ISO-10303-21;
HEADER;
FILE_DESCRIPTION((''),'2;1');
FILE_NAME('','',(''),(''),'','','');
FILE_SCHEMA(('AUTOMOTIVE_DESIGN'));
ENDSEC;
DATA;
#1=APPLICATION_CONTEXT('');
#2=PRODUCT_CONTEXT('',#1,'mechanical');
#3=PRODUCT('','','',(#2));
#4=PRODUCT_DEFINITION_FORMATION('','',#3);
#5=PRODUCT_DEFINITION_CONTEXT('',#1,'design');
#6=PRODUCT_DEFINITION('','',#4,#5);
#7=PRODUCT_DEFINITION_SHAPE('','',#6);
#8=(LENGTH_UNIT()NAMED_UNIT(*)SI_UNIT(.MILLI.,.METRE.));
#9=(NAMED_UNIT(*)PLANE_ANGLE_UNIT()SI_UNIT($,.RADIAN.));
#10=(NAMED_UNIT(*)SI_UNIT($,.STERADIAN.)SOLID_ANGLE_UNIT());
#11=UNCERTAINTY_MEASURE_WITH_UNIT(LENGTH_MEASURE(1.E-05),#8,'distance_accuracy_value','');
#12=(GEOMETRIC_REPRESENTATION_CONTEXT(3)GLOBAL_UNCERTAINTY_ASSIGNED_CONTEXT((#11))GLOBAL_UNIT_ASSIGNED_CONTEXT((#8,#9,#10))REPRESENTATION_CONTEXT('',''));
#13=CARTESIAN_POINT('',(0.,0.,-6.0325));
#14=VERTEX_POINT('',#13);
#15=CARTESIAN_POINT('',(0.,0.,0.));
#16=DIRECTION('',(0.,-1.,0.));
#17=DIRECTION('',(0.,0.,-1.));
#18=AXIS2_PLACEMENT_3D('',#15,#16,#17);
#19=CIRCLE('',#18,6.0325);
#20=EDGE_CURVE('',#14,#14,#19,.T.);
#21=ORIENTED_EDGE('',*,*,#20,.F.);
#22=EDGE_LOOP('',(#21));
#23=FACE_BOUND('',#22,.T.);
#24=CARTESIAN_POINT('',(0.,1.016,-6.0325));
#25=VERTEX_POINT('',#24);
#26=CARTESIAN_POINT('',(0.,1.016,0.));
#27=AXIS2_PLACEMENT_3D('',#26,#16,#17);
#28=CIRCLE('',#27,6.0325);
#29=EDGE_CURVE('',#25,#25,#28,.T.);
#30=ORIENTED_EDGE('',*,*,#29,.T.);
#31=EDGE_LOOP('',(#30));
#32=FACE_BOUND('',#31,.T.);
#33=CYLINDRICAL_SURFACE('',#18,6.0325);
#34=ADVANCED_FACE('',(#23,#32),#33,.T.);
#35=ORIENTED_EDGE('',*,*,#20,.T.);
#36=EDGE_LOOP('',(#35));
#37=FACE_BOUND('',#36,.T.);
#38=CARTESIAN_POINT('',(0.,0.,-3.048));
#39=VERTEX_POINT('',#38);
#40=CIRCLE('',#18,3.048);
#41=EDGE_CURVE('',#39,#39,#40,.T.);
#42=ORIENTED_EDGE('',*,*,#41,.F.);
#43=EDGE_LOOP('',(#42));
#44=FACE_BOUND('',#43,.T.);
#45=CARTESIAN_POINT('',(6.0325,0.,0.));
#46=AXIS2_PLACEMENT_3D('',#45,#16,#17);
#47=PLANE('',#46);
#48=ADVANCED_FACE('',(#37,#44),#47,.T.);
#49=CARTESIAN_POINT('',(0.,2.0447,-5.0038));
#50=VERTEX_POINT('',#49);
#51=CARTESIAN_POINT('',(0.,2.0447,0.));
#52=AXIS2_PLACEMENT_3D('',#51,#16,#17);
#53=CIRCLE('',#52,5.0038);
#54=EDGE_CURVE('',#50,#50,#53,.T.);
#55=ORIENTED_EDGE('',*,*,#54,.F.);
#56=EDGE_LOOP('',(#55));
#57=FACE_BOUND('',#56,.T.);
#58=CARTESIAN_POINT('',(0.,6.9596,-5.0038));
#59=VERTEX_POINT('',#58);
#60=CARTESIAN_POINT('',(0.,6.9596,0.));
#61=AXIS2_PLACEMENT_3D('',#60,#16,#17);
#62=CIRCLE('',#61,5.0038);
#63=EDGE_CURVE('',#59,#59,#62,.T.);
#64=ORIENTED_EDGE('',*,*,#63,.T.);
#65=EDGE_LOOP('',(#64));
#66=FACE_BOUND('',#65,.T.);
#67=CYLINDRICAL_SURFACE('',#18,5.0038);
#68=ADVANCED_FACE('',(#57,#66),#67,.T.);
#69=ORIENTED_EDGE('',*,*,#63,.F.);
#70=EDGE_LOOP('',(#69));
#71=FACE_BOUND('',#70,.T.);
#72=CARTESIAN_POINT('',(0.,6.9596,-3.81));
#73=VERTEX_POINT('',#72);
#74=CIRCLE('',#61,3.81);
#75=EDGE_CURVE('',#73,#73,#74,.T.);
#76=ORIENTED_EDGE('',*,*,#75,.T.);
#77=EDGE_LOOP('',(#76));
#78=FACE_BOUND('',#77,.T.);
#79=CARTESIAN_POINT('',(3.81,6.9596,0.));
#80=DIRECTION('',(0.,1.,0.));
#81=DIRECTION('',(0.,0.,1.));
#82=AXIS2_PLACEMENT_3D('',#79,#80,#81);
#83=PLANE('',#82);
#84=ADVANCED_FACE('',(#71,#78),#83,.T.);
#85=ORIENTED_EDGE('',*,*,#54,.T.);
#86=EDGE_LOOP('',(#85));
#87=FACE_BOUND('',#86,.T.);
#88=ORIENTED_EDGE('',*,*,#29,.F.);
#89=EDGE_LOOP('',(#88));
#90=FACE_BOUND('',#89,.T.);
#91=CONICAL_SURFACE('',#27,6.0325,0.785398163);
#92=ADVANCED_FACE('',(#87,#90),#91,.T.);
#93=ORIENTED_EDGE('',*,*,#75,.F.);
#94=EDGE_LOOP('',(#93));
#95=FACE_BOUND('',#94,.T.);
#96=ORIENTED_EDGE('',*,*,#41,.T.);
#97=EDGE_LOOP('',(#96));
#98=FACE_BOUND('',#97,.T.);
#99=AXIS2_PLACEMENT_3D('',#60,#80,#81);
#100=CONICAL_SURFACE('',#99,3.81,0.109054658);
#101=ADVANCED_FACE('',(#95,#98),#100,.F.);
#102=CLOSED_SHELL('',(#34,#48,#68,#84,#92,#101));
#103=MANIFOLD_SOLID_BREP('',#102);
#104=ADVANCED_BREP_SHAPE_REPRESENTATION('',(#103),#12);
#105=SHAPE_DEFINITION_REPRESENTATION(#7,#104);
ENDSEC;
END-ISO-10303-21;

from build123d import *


with BuildPart() as part:
    # Sketch1 → Revolve1 (revolve)
    with BuildSketch(Plane.XY):
        Polygon((3.048, 0), (3.81, 6.9596), (5.0038, 6.9596), (5.0038, 2.0447), (6.0325, 1.016), (6.0325, 0), align=None)
    revolve(axis=Axis((0, 0, 0), (0, 1, 0)))


solid = part.part
